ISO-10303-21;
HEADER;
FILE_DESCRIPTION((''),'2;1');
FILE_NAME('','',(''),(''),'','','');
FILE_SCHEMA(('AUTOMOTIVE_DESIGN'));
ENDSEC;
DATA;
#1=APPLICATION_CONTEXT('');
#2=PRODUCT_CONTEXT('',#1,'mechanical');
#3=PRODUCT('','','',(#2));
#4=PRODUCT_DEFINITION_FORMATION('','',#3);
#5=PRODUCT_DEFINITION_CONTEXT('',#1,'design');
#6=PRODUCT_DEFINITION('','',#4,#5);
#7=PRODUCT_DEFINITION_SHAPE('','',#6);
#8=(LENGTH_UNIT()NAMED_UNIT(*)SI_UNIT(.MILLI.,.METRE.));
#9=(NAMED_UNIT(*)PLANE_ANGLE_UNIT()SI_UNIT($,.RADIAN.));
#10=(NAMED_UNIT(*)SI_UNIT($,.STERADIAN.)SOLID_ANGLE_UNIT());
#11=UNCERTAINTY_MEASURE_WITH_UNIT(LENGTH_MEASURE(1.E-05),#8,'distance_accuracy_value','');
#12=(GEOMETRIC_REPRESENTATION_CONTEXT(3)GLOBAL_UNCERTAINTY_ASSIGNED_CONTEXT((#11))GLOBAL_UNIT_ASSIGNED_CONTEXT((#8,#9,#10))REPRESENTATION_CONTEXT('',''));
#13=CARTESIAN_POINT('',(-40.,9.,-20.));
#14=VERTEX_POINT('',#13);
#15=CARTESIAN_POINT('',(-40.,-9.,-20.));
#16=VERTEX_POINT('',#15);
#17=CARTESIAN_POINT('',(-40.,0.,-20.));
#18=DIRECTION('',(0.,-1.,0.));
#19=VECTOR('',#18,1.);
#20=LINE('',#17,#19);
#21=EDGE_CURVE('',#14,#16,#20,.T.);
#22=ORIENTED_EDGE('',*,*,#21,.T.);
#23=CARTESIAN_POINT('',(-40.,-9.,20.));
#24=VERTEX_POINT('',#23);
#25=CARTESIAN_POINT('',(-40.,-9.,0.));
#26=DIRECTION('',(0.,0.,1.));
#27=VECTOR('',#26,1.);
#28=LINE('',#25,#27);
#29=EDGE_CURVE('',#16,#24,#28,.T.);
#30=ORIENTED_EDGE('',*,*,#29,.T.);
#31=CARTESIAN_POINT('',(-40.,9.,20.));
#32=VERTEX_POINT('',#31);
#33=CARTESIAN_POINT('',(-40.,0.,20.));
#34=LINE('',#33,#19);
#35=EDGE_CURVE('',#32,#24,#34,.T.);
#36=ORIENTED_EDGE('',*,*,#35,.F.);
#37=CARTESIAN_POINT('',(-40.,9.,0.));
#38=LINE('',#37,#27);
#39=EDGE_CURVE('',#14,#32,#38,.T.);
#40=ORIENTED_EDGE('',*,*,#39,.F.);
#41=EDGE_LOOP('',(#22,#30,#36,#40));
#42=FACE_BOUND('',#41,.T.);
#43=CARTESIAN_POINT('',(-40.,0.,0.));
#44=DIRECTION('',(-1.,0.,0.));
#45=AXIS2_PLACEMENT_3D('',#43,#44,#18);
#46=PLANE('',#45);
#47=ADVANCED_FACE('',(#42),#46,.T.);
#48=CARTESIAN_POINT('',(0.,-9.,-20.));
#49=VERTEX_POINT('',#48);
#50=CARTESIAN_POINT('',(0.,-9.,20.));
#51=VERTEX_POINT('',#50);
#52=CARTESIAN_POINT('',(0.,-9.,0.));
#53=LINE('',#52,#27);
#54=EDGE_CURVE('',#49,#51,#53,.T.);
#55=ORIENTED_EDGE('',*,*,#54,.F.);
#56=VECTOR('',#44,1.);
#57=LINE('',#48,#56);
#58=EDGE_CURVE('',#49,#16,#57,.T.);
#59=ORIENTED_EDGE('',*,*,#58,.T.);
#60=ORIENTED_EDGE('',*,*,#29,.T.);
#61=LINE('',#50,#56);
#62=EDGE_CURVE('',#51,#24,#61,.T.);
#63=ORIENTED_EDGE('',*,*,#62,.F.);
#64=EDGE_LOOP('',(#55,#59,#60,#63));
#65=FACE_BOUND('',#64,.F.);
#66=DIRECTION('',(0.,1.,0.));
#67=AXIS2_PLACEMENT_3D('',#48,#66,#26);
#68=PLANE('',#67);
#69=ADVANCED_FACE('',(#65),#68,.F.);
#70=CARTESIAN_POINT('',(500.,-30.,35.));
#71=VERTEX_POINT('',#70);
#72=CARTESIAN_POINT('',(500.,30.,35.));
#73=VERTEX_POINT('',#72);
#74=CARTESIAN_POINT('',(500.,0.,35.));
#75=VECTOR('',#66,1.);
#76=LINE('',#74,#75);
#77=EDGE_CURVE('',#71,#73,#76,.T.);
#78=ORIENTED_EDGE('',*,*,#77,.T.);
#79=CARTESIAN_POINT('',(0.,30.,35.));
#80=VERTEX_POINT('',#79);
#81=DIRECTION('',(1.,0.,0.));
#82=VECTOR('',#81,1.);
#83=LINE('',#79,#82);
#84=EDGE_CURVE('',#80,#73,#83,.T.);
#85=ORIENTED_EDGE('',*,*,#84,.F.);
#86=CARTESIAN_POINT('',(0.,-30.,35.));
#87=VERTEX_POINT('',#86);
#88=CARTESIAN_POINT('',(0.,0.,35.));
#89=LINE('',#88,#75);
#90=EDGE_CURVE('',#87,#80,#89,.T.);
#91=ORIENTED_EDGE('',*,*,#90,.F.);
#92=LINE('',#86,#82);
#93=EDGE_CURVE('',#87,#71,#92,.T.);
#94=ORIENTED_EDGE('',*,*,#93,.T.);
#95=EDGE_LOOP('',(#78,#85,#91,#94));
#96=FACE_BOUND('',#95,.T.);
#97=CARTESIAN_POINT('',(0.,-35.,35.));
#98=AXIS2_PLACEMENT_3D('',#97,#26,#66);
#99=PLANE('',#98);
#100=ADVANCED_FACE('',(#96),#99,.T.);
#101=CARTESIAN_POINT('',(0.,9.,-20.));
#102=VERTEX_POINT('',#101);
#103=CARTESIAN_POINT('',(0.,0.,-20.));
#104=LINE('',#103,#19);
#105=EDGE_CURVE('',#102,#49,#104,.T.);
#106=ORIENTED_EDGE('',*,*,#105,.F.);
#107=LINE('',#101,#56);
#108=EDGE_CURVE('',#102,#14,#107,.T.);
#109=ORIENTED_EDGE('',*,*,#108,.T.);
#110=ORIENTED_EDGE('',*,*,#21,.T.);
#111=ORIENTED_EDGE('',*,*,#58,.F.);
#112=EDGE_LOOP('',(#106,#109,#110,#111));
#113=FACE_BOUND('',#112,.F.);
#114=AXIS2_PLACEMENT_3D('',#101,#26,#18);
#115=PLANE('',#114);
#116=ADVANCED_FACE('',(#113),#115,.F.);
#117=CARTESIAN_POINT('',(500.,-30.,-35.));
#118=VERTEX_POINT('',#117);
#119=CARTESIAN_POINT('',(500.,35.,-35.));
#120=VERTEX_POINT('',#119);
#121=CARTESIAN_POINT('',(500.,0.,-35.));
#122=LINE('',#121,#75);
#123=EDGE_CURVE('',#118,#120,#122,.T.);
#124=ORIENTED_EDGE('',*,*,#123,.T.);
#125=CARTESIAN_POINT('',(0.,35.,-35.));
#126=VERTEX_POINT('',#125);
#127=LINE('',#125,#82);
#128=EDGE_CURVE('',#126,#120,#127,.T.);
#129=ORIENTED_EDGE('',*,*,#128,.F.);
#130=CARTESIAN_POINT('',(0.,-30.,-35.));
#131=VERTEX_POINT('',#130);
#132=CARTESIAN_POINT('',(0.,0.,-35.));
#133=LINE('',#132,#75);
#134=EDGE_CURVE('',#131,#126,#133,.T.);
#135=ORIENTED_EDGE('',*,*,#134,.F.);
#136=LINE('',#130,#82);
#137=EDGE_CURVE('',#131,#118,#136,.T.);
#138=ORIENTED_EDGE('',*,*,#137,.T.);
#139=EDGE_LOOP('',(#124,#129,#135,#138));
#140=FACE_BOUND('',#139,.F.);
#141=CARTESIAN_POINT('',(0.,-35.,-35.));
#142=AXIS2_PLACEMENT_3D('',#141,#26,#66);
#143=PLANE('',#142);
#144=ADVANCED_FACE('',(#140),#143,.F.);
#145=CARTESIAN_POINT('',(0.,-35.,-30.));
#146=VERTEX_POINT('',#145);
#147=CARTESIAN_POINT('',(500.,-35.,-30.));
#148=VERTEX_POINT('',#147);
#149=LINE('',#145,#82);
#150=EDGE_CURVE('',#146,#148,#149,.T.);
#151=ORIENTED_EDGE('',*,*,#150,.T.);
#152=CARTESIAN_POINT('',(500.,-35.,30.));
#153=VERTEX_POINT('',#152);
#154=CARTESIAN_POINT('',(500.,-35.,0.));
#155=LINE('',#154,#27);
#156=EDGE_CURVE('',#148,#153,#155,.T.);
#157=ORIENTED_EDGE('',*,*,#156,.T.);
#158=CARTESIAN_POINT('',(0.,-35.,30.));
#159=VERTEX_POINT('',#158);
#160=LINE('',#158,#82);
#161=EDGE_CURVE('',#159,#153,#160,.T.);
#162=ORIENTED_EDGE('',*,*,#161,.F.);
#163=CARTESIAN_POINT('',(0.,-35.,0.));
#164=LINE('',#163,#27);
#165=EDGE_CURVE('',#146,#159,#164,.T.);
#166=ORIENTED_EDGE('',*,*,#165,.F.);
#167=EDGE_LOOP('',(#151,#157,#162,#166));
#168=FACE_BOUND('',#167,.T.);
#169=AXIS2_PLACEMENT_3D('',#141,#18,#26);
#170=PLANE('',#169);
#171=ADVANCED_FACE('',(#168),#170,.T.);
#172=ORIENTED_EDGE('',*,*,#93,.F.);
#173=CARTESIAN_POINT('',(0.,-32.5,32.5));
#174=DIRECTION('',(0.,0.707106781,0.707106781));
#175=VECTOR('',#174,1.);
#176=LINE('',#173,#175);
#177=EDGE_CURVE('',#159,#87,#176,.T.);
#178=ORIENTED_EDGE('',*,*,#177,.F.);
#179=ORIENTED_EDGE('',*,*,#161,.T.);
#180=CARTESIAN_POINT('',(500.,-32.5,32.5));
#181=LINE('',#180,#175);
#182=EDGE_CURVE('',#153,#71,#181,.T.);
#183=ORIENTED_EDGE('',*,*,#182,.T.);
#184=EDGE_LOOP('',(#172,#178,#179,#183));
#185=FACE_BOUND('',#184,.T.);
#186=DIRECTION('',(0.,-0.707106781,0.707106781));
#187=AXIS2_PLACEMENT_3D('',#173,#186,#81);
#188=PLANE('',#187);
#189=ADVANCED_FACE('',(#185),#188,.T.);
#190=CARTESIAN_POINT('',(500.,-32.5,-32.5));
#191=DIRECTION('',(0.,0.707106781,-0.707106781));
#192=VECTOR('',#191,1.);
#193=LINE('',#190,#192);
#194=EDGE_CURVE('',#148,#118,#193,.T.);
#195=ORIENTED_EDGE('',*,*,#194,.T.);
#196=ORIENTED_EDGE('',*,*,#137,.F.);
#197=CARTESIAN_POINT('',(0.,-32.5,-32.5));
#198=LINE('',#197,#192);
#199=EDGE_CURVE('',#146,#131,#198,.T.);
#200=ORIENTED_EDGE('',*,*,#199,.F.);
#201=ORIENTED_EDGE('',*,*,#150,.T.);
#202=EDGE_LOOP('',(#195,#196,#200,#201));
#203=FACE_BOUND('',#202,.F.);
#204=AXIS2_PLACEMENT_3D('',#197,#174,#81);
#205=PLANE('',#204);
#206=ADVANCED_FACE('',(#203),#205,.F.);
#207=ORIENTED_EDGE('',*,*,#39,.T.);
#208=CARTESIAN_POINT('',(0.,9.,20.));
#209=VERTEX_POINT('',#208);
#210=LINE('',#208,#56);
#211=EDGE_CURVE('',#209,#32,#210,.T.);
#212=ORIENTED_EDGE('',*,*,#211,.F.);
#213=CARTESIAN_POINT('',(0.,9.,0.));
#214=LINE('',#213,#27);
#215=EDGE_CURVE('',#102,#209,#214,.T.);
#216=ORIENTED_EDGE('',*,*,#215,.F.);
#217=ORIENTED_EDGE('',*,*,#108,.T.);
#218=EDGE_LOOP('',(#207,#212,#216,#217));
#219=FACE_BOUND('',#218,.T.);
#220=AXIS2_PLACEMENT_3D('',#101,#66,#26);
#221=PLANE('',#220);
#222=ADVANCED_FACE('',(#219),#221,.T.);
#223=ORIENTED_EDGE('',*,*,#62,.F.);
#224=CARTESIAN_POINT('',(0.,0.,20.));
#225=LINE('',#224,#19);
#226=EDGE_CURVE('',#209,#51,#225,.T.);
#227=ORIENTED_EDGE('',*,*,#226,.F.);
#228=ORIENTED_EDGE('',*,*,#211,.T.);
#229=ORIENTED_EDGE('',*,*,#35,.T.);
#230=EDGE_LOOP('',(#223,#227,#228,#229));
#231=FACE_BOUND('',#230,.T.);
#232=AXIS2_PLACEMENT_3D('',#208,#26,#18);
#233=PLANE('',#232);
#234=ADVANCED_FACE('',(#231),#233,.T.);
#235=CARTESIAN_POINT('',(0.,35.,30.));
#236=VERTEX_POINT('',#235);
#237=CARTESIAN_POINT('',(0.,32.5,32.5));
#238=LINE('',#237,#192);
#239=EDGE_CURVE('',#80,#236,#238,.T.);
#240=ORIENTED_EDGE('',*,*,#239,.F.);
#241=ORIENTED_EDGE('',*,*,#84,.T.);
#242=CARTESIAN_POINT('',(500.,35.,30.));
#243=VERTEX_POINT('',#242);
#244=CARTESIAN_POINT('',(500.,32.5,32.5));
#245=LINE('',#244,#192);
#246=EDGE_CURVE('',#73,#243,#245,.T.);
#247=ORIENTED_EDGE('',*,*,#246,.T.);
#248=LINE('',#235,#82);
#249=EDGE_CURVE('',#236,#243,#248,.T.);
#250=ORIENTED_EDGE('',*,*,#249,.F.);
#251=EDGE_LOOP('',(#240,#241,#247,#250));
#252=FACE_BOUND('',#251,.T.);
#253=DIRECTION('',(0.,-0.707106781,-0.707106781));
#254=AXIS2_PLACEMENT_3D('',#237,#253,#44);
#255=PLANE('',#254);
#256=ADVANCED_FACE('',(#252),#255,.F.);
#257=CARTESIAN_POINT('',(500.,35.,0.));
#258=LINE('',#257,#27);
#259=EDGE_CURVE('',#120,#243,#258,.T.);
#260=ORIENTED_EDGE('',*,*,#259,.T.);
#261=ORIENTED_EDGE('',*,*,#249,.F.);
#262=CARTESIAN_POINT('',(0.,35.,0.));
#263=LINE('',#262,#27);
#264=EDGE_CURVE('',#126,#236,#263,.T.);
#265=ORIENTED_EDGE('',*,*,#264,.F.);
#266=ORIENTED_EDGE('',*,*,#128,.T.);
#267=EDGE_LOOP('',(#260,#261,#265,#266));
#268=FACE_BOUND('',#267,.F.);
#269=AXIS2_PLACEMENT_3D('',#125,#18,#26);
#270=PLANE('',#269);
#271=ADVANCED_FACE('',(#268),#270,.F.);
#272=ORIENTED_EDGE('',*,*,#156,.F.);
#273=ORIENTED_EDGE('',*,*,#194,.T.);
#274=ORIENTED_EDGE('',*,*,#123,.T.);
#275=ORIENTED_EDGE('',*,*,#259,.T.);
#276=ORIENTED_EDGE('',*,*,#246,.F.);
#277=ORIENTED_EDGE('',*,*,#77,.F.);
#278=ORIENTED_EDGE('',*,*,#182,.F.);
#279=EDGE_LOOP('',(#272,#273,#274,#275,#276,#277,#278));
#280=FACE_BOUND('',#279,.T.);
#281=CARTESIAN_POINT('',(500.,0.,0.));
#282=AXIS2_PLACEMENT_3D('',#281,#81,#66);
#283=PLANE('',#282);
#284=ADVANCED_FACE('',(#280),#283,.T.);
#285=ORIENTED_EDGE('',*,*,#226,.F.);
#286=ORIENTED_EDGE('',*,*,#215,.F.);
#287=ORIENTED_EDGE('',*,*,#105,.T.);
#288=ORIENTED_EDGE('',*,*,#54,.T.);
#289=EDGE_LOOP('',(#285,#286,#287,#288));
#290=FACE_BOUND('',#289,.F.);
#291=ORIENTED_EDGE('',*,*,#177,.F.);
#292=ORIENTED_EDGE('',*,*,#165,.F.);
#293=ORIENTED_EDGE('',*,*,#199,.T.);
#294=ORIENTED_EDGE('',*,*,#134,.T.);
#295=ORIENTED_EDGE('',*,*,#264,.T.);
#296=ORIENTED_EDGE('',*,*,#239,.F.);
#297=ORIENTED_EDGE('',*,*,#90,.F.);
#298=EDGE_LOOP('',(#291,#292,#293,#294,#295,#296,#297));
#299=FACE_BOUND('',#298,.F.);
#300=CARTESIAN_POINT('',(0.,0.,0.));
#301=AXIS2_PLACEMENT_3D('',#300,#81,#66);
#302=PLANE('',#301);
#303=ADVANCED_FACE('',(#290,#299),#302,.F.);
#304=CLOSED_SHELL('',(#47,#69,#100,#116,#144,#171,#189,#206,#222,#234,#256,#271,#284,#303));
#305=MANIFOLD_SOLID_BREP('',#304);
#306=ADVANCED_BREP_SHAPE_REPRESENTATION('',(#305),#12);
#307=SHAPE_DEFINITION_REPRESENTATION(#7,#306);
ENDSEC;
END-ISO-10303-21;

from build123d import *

# Parameters (mm, degrees)
F0_W     = 70
F0_H     = 70
F1_DEPTH = 500
F2_W     = 18
F2_H     = 40
F3_DEPTH = 40
F4_SIZE  = 5


with BuildPart() as f1:
    # F0 (on Right) → F1 (new body)
    with BuildSketch(Plane.YZ):
        Rectangle(F0_W, F0_H)
    extrude(amount=F1_DEPTH)

    # F2 (on face) → F3 (join)
    with BuildSketch(Plane(origin=(0, 0, 0), x_dir=(0, -1, 0), z_dir=(-1, 0, 0))):
        Rectangle(F2_W, F2_H)
    extrude(amount=F3_DEPTH)

    # F4
    f4_edges = [f1.edges().sort_by_distance(p)[0] for p in [
        (250, -35, 35),
        (250, 35, 35),
        (250, -35, -35),
    ]]
    chamfer(f4_edges, length=F4_SIZE)


solid = f1.part
